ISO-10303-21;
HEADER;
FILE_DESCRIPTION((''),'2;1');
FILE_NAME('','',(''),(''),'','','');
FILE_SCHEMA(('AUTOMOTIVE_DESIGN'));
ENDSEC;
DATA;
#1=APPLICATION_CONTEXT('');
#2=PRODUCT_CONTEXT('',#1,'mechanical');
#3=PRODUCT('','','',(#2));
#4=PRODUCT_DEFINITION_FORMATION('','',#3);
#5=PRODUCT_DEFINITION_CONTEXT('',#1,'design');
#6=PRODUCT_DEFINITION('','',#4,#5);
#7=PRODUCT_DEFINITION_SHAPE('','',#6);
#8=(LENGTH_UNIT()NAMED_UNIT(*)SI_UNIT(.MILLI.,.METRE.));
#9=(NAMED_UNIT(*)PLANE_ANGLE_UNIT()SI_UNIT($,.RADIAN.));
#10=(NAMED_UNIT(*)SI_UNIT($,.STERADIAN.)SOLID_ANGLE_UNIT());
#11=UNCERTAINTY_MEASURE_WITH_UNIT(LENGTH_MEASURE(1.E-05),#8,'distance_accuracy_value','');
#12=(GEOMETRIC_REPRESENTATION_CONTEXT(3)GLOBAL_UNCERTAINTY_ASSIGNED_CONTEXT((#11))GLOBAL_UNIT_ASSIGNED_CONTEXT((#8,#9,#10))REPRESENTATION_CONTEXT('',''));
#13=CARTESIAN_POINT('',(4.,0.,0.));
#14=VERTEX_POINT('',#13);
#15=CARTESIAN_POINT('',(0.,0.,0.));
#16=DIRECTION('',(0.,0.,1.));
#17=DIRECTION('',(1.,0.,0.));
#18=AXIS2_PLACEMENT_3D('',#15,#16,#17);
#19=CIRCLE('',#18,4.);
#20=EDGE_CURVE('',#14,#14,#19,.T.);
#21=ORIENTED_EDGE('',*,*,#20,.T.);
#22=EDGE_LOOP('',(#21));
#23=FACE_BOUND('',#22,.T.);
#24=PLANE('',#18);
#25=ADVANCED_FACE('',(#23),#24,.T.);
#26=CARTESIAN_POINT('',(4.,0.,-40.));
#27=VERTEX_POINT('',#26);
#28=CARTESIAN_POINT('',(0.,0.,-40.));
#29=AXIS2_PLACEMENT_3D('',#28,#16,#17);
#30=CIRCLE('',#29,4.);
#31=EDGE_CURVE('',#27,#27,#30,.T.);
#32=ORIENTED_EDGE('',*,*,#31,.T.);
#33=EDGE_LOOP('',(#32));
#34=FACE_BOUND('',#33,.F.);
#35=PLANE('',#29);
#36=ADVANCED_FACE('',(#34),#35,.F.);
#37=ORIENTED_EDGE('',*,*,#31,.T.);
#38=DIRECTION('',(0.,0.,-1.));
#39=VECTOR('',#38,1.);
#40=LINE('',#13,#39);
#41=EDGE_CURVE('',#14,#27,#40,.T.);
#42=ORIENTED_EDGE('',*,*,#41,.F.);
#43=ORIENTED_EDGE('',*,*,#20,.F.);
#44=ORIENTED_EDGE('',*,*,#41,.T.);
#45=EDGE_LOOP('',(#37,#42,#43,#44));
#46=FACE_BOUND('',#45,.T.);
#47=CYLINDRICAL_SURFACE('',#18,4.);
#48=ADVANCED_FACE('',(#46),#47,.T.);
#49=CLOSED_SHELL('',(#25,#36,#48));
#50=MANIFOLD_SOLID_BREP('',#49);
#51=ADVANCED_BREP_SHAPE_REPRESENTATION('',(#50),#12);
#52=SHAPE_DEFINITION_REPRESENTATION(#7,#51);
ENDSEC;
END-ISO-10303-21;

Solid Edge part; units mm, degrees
sketch "Sketch1" plane through (0, 0, 0) normal (0, 0, 1) x (1, 0, 0)
  circle A0 centre (0, 0) radius 4
extrude "Protrusion1" add sketch "Sketch1" against normal blind 40
properties material "Stainless steel"
